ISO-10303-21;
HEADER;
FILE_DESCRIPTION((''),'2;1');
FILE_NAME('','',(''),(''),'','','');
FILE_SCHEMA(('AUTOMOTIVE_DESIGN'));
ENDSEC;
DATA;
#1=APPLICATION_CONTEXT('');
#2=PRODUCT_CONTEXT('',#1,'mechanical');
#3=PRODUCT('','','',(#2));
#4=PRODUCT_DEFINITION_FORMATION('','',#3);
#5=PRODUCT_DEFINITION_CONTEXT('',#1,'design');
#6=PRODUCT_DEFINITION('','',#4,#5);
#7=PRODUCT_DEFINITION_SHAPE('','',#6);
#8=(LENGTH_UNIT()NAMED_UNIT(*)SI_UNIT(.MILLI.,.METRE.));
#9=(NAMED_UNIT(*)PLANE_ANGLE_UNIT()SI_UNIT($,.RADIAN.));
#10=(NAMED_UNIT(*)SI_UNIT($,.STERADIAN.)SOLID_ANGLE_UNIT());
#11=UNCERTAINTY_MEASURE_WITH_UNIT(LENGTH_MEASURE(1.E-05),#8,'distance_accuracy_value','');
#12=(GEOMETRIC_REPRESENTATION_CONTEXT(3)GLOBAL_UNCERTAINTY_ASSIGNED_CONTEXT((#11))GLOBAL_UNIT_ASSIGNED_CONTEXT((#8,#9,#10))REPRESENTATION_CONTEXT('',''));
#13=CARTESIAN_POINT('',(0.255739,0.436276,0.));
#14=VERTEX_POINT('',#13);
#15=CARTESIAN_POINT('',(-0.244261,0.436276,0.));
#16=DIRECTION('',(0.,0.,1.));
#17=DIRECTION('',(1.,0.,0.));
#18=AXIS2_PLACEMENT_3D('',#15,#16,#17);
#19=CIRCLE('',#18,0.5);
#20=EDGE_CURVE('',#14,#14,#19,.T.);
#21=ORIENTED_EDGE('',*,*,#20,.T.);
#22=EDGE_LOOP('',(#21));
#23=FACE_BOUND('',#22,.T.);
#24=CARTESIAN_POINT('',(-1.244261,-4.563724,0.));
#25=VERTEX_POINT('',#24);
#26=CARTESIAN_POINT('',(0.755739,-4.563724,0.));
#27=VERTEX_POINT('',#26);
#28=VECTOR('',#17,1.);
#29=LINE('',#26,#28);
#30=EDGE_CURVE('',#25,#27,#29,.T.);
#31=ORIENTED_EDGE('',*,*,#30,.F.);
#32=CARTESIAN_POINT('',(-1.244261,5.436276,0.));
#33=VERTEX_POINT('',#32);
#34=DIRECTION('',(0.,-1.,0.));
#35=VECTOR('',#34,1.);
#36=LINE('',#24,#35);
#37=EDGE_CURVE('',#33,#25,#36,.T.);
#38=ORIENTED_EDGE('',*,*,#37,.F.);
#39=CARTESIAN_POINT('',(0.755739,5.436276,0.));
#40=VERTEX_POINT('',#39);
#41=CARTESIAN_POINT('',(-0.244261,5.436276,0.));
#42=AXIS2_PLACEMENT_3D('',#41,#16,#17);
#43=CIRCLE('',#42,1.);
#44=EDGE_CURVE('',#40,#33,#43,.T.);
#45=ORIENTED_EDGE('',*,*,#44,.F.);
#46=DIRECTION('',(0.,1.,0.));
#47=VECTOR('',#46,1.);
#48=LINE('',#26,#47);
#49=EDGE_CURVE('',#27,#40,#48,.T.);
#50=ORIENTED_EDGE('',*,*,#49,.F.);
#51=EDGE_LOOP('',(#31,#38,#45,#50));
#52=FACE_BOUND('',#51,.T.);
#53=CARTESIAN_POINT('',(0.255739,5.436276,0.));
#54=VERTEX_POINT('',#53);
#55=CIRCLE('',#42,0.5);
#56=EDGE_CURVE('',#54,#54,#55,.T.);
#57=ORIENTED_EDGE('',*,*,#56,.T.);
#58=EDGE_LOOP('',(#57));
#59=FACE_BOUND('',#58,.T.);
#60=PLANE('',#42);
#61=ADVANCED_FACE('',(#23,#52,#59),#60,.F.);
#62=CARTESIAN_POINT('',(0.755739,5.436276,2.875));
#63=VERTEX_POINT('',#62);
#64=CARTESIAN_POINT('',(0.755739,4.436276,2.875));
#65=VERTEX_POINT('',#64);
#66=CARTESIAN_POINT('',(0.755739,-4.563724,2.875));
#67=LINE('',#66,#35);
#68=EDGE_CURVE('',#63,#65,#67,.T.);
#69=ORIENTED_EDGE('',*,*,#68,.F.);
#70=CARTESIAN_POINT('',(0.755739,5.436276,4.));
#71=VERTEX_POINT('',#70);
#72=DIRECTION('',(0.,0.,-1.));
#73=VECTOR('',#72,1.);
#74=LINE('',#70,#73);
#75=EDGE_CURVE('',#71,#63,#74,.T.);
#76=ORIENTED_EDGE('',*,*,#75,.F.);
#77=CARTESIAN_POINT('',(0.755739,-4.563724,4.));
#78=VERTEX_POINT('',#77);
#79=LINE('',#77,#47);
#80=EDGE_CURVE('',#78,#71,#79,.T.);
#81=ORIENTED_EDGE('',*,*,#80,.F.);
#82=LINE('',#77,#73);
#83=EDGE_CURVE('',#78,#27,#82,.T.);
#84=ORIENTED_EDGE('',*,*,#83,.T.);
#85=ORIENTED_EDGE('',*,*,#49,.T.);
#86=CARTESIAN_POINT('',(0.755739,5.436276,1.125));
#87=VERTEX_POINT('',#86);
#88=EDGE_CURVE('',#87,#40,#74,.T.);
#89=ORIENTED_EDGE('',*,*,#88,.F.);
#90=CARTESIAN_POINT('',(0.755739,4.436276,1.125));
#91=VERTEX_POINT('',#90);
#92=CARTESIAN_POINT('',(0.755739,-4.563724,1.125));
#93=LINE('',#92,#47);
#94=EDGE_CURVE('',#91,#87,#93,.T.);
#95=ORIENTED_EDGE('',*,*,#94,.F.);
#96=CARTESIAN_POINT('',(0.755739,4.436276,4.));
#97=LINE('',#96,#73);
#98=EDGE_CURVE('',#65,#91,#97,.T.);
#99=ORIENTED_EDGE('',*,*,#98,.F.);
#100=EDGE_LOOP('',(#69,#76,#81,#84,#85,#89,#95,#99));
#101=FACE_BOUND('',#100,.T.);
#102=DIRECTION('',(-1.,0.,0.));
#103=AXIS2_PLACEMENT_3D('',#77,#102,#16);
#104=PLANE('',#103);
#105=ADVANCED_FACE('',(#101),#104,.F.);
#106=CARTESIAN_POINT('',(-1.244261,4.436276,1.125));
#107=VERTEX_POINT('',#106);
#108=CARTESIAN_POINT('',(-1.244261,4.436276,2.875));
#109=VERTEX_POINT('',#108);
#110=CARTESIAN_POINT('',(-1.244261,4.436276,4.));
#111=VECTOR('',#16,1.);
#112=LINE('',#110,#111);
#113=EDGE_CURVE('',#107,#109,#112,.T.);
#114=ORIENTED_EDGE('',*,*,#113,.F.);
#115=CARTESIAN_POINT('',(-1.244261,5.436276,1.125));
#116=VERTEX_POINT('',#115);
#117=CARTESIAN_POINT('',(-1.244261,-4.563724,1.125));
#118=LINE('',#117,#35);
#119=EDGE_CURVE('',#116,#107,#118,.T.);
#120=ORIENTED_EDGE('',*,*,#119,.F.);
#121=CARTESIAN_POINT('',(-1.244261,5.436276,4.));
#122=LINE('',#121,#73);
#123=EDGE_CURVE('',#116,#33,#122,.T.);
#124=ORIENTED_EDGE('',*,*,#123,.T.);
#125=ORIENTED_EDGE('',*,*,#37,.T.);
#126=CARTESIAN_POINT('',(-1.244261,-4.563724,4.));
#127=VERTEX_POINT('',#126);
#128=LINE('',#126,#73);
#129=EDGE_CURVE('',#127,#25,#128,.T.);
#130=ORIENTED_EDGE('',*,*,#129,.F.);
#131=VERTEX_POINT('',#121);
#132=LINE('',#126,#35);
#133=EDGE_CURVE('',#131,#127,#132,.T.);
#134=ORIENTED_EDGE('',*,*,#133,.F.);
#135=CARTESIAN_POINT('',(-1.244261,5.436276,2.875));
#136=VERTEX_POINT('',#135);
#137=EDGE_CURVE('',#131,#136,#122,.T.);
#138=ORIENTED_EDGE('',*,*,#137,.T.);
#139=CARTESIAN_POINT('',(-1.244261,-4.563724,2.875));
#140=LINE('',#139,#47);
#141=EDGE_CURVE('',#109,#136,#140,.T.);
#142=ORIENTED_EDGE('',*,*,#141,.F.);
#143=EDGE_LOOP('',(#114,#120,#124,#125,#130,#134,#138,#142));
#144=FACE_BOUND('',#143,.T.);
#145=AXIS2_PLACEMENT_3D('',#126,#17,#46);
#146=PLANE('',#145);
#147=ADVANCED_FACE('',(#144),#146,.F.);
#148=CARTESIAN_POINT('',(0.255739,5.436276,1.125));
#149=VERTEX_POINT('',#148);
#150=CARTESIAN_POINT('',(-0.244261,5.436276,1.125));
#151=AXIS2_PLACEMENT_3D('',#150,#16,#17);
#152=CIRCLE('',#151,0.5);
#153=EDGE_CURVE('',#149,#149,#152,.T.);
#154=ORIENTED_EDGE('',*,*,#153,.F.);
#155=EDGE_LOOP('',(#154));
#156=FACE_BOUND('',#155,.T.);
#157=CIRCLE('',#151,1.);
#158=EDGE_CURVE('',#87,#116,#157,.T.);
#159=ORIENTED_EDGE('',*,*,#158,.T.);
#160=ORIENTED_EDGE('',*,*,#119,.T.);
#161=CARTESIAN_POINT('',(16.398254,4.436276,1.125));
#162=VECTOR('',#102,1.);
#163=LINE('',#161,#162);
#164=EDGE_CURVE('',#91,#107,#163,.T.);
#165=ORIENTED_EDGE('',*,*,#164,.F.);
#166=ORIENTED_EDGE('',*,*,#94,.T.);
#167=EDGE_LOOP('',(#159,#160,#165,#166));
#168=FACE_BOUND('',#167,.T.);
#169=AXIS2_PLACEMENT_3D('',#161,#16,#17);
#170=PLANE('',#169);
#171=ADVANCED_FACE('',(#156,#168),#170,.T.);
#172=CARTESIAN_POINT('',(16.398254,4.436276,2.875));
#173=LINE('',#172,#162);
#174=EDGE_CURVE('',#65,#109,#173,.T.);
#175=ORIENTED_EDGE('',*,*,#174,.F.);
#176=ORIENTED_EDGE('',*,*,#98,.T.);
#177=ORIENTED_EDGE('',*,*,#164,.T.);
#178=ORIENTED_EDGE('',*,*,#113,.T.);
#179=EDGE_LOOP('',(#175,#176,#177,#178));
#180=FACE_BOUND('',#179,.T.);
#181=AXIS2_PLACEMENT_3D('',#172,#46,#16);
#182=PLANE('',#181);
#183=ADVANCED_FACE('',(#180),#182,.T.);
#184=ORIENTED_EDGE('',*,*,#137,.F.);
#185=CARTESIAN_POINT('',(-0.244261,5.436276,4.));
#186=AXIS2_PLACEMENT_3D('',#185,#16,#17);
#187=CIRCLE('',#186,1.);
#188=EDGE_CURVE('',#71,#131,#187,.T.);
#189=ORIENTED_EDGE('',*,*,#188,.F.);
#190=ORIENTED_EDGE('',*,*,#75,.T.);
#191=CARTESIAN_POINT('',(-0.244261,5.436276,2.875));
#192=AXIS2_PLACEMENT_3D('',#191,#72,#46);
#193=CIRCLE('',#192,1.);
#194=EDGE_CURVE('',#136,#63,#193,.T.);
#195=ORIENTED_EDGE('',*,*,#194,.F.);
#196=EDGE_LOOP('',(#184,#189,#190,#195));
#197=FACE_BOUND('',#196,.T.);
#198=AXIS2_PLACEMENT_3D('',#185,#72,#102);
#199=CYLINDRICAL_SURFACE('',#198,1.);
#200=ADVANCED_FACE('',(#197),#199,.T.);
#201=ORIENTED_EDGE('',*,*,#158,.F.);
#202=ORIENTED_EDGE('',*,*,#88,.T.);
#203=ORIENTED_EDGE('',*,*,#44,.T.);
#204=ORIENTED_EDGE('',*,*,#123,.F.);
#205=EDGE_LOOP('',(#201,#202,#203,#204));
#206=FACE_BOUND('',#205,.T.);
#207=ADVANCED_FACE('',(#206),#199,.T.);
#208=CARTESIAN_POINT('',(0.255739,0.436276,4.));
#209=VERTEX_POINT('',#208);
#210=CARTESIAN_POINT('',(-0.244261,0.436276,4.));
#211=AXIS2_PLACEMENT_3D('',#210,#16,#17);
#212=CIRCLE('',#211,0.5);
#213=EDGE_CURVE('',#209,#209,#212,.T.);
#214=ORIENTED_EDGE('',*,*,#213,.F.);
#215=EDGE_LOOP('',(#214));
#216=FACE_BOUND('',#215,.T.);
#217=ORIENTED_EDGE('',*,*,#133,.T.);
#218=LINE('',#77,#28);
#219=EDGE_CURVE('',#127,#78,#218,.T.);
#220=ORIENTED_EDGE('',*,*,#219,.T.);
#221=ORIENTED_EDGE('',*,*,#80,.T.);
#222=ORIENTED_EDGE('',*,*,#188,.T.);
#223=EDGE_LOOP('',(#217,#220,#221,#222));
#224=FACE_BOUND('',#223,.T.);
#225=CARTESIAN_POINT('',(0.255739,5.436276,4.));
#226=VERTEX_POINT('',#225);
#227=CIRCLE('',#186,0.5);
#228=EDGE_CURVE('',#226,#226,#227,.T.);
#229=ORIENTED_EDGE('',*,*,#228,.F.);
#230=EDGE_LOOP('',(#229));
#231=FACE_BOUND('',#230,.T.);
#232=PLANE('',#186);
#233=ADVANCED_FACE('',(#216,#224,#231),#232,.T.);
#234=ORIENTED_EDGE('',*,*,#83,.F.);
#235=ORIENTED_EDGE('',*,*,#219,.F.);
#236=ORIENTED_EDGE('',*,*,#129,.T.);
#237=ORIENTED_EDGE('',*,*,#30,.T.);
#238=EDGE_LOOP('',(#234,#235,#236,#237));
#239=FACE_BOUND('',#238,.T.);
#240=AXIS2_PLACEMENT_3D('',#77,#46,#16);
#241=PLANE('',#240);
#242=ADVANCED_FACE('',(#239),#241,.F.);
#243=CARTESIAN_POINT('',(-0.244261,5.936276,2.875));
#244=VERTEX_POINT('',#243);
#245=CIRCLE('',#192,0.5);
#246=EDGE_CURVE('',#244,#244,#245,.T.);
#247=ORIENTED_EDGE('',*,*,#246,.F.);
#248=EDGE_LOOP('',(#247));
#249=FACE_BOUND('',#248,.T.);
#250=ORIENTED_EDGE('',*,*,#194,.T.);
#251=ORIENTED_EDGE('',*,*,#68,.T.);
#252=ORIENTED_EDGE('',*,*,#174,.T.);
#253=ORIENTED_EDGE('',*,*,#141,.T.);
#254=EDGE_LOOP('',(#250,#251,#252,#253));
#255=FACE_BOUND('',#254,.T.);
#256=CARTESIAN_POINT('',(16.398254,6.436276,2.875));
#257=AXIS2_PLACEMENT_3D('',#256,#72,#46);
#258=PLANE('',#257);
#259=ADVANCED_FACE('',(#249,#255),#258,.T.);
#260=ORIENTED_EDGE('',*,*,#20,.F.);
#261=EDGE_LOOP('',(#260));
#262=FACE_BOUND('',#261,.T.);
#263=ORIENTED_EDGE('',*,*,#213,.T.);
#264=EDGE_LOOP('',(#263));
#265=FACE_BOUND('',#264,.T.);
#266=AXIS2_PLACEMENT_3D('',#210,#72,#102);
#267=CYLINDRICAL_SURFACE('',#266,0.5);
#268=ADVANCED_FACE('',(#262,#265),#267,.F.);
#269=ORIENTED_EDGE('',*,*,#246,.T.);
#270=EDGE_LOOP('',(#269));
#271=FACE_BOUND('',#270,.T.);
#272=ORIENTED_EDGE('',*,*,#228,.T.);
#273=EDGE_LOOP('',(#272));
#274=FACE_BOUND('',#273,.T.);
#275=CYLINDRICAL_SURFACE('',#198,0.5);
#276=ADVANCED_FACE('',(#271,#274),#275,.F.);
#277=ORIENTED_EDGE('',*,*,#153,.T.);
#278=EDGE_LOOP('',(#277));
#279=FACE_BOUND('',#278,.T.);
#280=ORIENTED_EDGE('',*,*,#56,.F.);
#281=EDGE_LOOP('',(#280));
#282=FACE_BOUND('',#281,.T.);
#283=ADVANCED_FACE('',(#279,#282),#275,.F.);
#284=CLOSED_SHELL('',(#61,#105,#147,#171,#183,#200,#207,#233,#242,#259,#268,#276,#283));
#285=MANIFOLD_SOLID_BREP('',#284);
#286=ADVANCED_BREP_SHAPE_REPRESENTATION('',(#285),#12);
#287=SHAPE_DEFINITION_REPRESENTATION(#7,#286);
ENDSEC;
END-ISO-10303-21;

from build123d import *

# Parameters (mm, degrees)
SKETCH_1_R               = 0.5
EXTRUDE_1_DEPTH          = 4
CUT_EXTRUDE_1_DEPTH      = 8.679442038
CUT_EXTRUDE_1_DEPTH_BACK = 8.679442038


with BuildPart() as part:
    # 草图1 → 凸台-拉伸1 (new body)
    with BuildSketch(Plane.XY):
        with BuildLine():
            Line((-1.244261308, -4.563724383), (-1.244261308, 5.436275617))
            ThreePointArc((-1.244261308, 5.436275617), (-0.244261308, 6.436275617), (0.755738692, 5.436275617))
            Line((0.755738692, 5.436275617), (0.755738692, -4.563724383))
            Line((0.755738692, -4.563724383), (-1.244261308, -4.563724383))
        make_face()
        with Locations((-0.244261308, 5.436275617)):
            Circle(SKETCH_1_R, mode=Mode.SUBTRACT)
        with Locations((-0.244261308, 0.436275617)):
            Circle(SKETCH_1_R, mode=Mode.SUBTRACT)
    extrude(amount=EXTRUDE_1_DEPTH)

    # 草图4 → 切除-拉伸1 (cut, two sides: drawn at the far end of the back side and taken through both)
    with BuildSketch(Plane(origin=(0, 0, 0), x_dir=(0, 0, -1), z_dir=(1, 0, 0)).offset(-CUT_EXTRUDE_1_DEPTH_BACK)):
        Polygon((-2.875, 39.17528395), (-2.875, 6.436275617), (-2.875, 4.436275617), (-1.125, 4.436275617), (-1.125, 6.436275617), (-1.125, 39.17528395), (-1.125, 104.653300618), (-2.875, 104.653300618), align=None)
    extrude(amount=CUT_EXTRUDE_1_DEPTH + CUT_EXTRUDE_1_DEPTH_BACK, mode=Mode.SUBTRACT)


solid = part.part
